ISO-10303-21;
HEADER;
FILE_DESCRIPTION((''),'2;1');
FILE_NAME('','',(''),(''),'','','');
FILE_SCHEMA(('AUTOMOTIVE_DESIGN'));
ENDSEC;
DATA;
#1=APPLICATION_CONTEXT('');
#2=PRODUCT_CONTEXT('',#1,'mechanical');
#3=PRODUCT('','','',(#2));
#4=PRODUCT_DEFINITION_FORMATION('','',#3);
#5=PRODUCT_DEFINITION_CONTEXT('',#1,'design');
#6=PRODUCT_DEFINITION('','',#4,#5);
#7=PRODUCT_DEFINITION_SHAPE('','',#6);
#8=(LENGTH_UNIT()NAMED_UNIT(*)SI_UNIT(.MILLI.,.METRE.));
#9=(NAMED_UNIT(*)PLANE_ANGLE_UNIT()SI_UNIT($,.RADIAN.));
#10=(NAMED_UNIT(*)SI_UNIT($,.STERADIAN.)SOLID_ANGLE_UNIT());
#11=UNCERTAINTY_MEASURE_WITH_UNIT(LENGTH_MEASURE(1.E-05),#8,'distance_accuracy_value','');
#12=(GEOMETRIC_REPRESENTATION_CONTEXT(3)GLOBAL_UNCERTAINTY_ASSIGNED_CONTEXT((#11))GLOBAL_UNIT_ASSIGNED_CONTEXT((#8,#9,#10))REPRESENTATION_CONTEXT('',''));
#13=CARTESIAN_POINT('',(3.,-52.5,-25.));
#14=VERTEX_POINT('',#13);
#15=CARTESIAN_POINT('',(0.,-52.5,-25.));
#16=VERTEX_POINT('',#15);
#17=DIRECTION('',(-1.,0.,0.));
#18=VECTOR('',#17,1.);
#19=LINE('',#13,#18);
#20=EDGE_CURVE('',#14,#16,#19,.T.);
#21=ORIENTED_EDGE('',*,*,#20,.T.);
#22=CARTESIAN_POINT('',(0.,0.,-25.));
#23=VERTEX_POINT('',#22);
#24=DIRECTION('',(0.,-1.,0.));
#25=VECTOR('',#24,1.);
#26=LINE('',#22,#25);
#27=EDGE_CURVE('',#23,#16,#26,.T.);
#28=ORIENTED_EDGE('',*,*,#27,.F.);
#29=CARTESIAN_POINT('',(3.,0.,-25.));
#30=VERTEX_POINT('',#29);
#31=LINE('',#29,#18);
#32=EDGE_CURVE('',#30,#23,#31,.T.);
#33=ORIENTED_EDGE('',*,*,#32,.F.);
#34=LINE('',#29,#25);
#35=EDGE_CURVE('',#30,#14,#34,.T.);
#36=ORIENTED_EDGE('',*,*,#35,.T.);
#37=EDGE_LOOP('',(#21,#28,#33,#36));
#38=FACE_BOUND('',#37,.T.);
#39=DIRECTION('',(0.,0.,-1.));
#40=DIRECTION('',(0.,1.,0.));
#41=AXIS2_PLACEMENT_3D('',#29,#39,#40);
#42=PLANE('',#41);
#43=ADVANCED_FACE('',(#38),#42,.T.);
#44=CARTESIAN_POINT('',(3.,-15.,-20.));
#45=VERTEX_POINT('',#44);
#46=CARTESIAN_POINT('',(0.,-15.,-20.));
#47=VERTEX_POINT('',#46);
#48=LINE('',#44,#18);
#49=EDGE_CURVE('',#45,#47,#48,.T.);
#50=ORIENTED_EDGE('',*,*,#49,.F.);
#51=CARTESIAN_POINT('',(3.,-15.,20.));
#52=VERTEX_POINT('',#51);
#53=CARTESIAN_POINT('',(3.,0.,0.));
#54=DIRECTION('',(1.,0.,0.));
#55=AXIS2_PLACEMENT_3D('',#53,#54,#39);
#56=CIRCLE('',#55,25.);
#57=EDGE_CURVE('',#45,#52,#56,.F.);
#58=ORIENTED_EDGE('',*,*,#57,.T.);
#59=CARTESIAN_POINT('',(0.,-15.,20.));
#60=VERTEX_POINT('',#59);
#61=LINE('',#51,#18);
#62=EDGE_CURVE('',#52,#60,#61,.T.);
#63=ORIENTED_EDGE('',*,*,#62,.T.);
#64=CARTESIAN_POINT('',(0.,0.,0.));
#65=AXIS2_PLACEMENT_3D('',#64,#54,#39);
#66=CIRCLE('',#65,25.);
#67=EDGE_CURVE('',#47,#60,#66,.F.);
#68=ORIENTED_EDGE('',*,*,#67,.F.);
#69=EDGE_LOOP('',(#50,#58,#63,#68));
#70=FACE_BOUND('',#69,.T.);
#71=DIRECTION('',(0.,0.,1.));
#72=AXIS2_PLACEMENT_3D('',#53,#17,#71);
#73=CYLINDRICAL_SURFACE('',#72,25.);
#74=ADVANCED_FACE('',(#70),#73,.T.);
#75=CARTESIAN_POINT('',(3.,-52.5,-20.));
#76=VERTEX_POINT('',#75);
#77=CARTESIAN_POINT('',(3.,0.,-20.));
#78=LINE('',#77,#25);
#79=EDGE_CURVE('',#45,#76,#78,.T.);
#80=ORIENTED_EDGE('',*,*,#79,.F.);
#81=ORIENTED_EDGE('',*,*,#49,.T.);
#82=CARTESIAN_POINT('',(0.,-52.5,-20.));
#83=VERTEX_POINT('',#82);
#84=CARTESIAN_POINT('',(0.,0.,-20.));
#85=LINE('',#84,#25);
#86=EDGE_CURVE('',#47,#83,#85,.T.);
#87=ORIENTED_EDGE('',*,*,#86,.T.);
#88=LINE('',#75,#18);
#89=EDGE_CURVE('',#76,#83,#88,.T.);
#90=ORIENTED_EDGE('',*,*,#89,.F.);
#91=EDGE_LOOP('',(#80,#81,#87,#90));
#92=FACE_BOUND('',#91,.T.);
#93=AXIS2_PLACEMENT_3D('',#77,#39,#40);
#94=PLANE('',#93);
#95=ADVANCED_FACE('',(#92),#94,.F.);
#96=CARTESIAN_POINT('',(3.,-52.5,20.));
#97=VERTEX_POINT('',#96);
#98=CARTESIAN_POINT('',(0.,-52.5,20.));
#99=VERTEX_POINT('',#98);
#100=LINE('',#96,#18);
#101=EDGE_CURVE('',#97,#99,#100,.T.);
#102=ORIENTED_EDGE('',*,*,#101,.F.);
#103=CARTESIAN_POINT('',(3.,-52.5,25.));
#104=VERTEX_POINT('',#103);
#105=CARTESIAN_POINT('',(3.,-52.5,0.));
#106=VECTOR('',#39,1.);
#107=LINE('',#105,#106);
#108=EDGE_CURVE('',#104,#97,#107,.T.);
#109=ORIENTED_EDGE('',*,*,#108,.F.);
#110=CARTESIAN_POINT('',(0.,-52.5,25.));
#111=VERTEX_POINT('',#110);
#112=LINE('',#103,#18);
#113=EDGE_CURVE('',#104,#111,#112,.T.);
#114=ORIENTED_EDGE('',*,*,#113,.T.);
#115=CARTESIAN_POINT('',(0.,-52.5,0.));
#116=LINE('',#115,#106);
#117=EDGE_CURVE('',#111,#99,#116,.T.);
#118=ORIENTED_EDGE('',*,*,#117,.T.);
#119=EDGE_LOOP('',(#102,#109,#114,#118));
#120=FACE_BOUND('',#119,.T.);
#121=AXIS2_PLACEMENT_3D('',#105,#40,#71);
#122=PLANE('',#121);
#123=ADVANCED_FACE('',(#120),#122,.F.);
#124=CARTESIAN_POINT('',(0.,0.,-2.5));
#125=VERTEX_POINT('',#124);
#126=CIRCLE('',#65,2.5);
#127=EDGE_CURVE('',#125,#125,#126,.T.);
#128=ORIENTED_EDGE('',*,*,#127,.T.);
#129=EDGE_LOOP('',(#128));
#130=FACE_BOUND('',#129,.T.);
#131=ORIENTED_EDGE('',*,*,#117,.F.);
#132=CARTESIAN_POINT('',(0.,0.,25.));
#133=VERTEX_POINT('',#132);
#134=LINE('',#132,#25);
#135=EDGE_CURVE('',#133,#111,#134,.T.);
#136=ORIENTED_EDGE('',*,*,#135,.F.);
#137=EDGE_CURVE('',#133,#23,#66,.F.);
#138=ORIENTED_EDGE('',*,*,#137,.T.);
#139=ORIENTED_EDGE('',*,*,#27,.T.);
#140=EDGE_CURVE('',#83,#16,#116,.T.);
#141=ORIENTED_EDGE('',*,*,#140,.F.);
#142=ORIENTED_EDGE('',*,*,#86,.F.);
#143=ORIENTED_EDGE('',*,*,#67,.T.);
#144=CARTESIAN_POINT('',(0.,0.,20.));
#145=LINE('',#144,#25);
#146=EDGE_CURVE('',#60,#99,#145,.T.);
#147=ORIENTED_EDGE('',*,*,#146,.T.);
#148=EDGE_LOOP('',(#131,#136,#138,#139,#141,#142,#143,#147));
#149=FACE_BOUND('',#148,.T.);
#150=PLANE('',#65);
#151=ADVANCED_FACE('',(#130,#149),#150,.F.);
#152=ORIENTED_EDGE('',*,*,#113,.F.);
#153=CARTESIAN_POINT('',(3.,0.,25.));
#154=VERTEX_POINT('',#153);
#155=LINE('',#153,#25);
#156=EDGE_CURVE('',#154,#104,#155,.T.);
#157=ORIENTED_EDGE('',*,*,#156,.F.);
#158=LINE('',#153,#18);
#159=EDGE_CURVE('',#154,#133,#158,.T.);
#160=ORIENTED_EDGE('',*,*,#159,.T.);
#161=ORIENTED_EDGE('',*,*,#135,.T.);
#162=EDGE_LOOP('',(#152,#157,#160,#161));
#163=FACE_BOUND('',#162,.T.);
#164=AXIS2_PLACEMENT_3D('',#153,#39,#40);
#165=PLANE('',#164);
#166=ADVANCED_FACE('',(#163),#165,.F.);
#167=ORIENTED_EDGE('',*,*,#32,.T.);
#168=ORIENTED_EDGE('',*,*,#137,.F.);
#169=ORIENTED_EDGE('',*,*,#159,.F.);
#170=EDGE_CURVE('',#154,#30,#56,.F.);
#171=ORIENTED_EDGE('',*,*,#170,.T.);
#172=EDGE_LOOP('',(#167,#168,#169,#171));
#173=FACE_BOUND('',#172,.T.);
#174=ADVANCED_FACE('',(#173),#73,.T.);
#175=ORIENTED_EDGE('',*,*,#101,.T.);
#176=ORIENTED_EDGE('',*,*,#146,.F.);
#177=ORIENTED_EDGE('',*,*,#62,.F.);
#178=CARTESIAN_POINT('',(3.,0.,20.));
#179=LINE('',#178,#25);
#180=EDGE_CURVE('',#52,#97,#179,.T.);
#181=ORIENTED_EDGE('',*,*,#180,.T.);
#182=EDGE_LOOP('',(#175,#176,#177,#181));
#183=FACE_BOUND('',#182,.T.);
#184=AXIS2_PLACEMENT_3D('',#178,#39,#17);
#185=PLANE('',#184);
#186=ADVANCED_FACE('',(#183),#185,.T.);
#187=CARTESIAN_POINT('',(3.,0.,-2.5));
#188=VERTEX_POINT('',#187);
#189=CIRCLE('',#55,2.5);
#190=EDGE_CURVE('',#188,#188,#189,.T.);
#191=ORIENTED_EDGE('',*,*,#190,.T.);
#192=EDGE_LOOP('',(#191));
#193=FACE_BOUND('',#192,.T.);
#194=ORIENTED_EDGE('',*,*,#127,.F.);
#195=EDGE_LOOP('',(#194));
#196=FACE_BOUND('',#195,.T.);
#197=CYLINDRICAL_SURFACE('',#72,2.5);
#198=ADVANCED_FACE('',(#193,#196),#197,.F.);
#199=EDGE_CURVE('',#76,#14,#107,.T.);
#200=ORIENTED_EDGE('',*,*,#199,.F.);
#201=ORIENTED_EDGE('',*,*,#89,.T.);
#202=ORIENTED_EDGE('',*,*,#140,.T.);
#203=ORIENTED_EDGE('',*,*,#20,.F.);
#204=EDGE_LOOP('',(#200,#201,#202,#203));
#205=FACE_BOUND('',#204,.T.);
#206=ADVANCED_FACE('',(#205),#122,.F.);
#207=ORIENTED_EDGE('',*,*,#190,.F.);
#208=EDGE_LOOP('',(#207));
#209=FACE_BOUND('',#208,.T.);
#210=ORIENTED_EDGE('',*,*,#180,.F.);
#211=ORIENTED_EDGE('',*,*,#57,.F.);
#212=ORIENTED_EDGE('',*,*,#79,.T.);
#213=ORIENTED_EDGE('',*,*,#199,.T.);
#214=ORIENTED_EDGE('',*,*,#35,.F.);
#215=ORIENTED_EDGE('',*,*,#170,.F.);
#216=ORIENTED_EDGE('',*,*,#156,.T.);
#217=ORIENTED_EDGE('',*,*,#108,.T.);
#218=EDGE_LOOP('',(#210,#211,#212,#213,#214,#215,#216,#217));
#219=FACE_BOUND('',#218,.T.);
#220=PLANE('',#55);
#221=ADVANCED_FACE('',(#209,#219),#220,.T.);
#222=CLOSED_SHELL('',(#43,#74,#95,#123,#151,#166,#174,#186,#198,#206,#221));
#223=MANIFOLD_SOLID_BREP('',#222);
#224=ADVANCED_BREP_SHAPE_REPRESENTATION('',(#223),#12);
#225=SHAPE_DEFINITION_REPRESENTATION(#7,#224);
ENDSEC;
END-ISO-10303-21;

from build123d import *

# Parameters (mm, degrees)
SKETCH1_R           = 2.5
BOSS_EXTRUDE1_DEPTH = 3


with BuildPart() as part:
    # Sketch1 → Boss-Extrude1 (new body)
    with BuildSketch(Plane(origin=(0, 0, 0), x_dir=(0, 0, -1), z_dir=(1, 0, 0))):
        with BuildLine():
            ThreePointArc((-20, -15), (-23.717082451, -7.90569415), (-25, 0))
            Line((-25, 0), (-25, -52.5))
            Line((-25, -52.5), (-20, -52.5))
            Line((-20, -52.5), (-20, -15))
        make_face()
        with BuildLine():
            ThreePointArc((25, 0), (0, 25), (-25, 0))
            ThreePointArc((-25, 0), (-23.717082451, -7.90569415), (-20, -15))
            ThreePointArc((-20, -15), (0, -25), (20, -15))
            ThreePointArc((20, -15), (23.717082451, -7.90569415), (25, 0))
        make_face()
        Circle(SKETCH1_R, mode=Mode.SUBTRACT)
        with BuildLine():
            Line((25, -52.5), (25, 0))
            ThreePointArc((25, 0), (23.717082451, -7.90569415), (20, -15))
            Line((20, -15), (20, -52.5))
            Line((20, -52.5), (25, -52.5))
        make_face()
    extrude(amount=BOSS_EXTRUDE1_DEPTH)


solid = part.part
